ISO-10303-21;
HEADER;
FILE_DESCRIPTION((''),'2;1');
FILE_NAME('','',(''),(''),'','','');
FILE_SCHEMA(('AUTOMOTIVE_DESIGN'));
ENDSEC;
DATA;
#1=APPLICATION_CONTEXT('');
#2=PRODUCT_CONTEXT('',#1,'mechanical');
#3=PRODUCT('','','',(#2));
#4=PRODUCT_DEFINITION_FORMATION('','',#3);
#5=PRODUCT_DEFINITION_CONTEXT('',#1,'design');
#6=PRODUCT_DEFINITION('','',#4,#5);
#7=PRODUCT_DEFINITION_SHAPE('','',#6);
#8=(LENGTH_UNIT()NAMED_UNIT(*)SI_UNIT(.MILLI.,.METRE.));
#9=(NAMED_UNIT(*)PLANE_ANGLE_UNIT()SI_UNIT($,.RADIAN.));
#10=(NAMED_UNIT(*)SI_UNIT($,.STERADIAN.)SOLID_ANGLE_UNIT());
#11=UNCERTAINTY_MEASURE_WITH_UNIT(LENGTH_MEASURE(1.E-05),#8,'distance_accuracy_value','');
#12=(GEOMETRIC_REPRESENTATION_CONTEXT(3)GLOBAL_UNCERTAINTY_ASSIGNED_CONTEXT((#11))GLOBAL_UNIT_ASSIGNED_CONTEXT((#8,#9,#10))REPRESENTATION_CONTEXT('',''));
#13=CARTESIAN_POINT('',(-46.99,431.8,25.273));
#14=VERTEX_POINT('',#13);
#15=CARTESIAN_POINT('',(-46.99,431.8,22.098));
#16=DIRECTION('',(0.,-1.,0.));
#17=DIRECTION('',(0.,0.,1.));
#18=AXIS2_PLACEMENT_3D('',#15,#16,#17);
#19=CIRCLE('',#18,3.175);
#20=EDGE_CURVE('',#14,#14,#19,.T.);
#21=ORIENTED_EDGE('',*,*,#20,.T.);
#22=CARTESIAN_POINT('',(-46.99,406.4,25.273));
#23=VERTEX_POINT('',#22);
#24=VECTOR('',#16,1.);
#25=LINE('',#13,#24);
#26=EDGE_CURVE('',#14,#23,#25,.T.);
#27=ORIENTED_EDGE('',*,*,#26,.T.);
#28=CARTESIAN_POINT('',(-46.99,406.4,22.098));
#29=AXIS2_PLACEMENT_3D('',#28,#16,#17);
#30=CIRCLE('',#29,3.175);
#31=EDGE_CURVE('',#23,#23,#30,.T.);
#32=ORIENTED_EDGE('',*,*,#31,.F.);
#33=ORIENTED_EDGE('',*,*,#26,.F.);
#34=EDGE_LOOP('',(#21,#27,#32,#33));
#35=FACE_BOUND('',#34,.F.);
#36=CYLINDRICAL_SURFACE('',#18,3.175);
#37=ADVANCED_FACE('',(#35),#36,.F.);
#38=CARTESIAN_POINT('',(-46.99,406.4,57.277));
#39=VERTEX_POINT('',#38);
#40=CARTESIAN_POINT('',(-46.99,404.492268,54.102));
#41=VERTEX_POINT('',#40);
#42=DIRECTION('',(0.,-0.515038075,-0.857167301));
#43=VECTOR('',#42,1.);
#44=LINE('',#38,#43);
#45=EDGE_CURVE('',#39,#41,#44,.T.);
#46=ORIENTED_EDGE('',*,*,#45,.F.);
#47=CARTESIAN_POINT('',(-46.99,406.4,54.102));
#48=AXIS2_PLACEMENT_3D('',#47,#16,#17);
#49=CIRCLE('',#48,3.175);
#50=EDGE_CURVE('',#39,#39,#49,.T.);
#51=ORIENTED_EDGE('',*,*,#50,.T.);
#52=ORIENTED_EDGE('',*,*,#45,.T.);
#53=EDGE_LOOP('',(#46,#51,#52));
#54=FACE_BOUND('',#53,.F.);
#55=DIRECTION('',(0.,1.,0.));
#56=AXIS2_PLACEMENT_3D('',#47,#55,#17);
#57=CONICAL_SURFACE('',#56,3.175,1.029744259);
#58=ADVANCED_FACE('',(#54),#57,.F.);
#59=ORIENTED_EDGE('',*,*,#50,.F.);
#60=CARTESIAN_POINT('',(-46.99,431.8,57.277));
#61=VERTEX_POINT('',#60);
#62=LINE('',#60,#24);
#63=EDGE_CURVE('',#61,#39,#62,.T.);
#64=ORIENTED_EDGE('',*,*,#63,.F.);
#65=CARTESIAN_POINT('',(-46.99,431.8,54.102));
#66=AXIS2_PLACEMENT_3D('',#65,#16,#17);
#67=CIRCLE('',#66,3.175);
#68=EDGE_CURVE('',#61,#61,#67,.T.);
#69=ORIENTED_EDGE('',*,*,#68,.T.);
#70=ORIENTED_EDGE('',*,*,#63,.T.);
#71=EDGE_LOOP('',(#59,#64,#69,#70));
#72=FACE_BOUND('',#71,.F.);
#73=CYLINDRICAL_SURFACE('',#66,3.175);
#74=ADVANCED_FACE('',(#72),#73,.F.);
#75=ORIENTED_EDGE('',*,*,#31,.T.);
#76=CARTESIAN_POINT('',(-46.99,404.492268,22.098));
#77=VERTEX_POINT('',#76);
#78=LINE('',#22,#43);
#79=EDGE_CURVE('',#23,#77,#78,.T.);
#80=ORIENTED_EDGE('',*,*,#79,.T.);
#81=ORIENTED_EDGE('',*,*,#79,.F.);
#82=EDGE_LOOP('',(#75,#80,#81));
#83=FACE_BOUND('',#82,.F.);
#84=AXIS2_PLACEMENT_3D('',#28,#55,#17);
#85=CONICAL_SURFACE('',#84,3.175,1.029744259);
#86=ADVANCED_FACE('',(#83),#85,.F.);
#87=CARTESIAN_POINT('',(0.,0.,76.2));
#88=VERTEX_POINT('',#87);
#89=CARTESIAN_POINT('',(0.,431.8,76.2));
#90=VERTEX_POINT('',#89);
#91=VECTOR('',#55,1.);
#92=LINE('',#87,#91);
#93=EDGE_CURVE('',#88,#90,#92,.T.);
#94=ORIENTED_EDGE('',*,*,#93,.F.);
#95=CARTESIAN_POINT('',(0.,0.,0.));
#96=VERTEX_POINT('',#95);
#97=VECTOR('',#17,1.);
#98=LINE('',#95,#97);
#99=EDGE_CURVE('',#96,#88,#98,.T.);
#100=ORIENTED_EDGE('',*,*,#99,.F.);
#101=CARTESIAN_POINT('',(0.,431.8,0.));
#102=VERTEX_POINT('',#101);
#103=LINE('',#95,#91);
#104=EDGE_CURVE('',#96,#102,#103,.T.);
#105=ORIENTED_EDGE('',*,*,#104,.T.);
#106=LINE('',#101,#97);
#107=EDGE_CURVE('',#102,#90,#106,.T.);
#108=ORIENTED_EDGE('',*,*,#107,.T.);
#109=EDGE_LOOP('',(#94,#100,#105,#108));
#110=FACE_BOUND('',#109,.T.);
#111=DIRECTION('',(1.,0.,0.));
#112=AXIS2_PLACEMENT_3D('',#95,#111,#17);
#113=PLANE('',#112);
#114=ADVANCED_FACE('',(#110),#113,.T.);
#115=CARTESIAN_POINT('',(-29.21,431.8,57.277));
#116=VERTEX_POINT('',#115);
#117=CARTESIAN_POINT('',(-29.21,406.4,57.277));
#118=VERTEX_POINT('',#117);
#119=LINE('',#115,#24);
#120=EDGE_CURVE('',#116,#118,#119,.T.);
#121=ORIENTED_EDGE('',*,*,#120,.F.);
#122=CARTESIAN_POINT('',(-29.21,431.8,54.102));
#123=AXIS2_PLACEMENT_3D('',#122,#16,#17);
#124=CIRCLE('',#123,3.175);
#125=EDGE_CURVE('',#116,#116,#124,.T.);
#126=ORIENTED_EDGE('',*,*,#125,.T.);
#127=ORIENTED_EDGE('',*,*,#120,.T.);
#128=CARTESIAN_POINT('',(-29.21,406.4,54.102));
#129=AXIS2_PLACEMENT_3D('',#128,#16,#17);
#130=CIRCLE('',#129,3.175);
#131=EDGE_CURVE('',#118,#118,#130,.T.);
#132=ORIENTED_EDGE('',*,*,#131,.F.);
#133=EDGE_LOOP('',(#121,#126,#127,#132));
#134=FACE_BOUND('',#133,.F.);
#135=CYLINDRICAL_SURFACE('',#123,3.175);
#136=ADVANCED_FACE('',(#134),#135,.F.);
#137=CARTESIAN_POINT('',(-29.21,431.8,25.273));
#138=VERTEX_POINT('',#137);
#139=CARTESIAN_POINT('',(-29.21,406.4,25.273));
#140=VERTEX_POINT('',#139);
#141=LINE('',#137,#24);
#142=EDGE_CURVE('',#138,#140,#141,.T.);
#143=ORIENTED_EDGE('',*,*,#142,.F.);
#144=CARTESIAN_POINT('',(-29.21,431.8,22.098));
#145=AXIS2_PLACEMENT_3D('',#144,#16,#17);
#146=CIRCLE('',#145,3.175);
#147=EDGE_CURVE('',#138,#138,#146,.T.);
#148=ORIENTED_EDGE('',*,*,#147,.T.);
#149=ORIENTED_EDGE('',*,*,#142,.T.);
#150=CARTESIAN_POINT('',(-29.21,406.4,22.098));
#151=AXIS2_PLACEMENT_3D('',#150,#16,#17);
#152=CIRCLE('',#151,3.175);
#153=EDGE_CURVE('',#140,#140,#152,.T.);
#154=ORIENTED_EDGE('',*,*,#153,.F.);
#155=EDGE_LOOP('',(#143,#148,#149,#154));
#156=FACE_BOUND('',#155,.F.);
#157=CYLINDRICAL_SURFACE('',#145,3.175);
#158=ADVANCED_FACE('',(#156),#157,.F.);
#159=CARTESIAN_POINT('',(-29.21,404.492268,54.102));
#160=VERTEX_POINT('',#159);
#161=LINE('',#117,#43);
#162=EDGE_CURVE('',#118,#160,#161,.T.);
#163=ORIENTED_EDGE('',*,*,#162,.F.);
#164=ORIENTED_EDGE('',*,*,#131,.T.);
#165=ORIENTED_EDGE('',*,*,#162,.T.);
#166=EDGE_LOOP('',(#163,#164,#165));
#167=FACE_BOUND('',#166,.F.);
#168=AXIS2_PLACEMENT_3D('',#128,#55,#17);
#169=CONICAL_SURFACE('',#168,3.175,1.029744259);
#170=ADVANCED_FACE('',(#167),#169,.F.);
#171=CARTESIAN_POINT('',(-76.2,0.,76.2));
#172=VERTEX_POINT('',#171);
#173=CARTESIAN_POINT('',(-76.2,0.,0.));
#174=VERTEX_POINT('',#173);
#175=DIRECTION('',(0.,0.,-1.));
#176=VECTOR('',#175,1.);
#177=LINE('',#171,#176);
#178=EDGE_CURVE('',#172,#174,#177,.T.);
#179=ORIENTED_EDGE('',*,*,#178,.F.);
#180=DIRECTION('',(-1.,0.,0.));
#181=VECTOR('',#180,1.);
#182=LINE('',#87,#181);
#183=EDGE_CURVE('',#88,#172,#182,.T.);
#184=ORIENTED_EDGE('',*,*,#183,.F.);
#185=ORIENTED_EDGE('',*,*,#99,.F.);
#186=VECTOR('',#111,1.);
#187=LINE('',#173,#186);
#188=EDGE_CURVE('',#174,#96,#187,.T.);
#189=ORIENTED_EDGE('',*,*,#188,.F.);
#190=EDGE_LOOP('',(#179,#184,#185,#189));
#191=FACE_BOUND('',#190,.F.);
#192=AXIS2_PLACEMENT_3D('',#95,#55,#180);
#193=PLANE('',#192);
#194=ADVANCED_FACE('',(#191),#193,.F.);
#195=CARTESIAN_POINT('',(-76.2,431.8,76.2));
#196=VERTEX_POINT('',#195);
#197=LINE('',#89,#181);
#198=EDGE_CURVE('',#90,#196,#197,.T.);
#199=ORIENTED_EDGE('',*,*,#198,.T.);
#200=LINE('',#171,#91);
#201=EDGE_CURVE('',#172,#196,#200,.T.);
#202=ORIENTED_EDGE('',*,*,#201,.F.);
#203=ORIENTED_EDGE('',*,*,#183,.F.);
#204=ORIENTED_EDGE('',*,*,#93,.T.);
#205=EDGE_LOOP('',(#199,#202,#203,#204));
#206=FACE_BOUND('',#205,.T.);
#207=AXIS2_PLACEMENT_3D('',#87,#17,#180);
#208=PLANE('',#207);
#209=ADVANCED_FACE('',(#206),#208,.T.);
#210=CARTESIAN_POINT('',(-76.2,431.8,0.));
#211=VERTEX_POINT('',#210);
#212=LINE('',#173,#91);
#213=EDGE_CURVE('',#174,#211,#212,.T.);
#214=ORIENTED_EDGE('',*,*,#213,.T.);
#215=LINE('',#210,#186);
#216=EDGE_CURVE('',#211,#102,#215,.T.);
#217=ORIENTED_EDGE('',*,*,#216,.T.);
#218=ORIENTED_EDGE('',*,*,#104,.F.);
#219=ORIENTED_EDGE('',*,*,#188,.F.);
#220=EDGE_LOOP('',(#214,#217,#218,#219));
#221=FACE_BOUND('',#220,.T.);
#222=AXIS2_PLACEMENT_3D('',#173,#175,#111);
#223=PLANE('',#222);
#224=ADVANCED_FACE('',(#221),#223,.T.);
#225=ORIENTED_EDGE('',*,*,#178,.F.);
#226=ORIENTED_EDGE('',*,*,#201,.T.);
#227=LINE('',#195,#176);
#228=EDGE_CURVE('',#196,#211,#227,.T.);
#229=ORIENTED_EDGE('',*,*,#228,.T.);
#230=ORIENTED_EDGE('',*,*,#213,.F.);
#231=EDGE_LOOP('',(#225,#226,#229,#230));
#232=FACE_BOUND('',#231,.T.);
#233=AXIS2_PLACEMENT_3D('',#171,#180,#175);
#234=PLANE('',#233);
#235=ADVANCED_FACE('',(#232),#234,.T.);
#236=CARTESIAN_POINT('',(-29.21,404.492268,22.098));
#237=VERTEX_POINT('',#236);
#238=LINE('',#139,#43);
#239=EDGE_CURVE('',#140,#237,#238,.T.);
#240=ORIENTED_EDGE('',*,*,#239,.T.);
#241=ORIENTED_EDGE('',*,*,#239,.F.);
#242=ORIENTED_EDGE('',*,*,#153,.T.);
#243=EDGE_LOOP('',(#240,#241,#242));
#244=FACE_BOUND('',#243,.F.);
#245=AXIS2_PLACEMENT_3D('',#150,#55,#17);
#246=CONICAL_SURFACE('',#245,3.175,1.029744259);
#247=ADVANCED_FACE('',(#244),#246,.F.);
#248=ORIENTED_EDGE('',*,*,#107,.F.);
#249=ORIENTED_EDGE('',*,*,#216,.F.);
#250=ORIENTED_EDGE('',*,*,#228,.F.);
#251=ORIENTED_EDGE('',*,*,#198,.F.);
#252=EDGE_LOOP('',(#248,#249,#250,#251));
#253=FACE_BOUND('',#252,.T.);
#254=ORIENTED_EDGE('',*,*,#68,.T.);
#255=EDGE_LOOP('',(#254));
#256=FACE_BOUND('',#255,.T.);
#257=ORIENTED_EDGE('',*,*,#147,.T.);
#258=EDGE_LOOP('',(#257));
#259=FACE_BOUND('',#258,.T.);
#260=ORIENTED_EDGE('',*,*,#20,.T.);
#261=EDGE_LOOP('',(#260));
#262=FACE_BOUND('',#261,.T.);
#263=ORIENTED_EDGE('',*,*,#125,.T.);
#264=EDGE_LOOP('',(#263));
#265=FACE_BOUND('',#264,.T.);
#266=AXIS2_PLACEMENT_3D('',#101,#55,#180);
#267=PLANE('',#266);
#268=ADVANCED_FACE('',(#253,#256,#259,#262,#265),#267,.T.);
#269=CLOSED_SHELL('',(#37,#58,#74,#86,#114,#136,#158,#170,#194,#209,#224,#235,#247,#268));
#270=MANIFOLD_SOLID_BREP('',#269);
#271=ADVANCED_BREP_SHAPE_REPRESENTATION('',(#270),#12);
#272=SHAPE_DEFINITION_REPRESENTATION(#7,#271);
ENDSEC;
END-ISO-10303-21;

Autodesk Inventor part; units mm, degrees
ref_plane "YZ Plane" through (0, 0, 0) normal (1, 0, 0) x (0, 1, 0)
ref_plane "XZ Plane" through (0, 0, 0) normal (0, 1, 0) x (-1, 0, 0)
ref_plane "XY Plane" through (0, 0, 0) normal (0, 0, 1) x (1, 0, 0)
sketch "Sketch1" plane through (0, 0, 0) normal (0, 1, 0) x (-1, 0, 0)
  line L0 (0, 0) -> (0, 76.2)
  line L1 (0, 76.2) -> (76.2, 76.2)
  line L2 (76.2, 76.2) -> (76.2, 0)
  line L3 (76.2, 0) -> (0, 0)
  dimension "d0" = 76.2
  dimension "d1" = 76.2
extrude "Extrusion1" add sketch "Sketch1" along normal blind 431.8
sketch "Sketch2" plane through (0, 431.8, 0) normal (0, 1, 0) x (1, 0, 0)
  line L0 (-76.2, -76.2) -> (0, -76.2) projected
  line L1 (-76.2, 0) -> (-76.2, -76.2) projected
  line L2 (0, 0) -> (-76.2, 0) projected
  line L3 (0, -76.2) -> (0, 0) projected
  line L4 (0, -38.1) -> (-76.2, -38.1) construction
  line L5 (-38.1, -38.1) -> (-38.1, -22.098) construction
  line L6 (-38.1, -22.098) -> (-46.99, -22.098) construction
  circle A0 centre (-46.99, -22.098) radius 2.032
  circle A1 centre (-29.21, -22.098) radius 2.032
  circle A2 centre (-46.99, -54.102) radius 2.032
  circle A3 centre (-29.21, -54.102) radius 2.032
  dimension "d4" = 16.002
  dimension "d5" = 8.89
  dimension "d6" = 4.064
hole "Hole1" at (-46.99, 431.8, 54.102) at (-29.21, 431.8, 54.102) at (-29.21, 431.8, 22.098) at (-46.99, 431.8, 22.098) direction (0, -1, 0) diameter 6.35 depth 25.4 tip angle 118
properties part number "tower"
